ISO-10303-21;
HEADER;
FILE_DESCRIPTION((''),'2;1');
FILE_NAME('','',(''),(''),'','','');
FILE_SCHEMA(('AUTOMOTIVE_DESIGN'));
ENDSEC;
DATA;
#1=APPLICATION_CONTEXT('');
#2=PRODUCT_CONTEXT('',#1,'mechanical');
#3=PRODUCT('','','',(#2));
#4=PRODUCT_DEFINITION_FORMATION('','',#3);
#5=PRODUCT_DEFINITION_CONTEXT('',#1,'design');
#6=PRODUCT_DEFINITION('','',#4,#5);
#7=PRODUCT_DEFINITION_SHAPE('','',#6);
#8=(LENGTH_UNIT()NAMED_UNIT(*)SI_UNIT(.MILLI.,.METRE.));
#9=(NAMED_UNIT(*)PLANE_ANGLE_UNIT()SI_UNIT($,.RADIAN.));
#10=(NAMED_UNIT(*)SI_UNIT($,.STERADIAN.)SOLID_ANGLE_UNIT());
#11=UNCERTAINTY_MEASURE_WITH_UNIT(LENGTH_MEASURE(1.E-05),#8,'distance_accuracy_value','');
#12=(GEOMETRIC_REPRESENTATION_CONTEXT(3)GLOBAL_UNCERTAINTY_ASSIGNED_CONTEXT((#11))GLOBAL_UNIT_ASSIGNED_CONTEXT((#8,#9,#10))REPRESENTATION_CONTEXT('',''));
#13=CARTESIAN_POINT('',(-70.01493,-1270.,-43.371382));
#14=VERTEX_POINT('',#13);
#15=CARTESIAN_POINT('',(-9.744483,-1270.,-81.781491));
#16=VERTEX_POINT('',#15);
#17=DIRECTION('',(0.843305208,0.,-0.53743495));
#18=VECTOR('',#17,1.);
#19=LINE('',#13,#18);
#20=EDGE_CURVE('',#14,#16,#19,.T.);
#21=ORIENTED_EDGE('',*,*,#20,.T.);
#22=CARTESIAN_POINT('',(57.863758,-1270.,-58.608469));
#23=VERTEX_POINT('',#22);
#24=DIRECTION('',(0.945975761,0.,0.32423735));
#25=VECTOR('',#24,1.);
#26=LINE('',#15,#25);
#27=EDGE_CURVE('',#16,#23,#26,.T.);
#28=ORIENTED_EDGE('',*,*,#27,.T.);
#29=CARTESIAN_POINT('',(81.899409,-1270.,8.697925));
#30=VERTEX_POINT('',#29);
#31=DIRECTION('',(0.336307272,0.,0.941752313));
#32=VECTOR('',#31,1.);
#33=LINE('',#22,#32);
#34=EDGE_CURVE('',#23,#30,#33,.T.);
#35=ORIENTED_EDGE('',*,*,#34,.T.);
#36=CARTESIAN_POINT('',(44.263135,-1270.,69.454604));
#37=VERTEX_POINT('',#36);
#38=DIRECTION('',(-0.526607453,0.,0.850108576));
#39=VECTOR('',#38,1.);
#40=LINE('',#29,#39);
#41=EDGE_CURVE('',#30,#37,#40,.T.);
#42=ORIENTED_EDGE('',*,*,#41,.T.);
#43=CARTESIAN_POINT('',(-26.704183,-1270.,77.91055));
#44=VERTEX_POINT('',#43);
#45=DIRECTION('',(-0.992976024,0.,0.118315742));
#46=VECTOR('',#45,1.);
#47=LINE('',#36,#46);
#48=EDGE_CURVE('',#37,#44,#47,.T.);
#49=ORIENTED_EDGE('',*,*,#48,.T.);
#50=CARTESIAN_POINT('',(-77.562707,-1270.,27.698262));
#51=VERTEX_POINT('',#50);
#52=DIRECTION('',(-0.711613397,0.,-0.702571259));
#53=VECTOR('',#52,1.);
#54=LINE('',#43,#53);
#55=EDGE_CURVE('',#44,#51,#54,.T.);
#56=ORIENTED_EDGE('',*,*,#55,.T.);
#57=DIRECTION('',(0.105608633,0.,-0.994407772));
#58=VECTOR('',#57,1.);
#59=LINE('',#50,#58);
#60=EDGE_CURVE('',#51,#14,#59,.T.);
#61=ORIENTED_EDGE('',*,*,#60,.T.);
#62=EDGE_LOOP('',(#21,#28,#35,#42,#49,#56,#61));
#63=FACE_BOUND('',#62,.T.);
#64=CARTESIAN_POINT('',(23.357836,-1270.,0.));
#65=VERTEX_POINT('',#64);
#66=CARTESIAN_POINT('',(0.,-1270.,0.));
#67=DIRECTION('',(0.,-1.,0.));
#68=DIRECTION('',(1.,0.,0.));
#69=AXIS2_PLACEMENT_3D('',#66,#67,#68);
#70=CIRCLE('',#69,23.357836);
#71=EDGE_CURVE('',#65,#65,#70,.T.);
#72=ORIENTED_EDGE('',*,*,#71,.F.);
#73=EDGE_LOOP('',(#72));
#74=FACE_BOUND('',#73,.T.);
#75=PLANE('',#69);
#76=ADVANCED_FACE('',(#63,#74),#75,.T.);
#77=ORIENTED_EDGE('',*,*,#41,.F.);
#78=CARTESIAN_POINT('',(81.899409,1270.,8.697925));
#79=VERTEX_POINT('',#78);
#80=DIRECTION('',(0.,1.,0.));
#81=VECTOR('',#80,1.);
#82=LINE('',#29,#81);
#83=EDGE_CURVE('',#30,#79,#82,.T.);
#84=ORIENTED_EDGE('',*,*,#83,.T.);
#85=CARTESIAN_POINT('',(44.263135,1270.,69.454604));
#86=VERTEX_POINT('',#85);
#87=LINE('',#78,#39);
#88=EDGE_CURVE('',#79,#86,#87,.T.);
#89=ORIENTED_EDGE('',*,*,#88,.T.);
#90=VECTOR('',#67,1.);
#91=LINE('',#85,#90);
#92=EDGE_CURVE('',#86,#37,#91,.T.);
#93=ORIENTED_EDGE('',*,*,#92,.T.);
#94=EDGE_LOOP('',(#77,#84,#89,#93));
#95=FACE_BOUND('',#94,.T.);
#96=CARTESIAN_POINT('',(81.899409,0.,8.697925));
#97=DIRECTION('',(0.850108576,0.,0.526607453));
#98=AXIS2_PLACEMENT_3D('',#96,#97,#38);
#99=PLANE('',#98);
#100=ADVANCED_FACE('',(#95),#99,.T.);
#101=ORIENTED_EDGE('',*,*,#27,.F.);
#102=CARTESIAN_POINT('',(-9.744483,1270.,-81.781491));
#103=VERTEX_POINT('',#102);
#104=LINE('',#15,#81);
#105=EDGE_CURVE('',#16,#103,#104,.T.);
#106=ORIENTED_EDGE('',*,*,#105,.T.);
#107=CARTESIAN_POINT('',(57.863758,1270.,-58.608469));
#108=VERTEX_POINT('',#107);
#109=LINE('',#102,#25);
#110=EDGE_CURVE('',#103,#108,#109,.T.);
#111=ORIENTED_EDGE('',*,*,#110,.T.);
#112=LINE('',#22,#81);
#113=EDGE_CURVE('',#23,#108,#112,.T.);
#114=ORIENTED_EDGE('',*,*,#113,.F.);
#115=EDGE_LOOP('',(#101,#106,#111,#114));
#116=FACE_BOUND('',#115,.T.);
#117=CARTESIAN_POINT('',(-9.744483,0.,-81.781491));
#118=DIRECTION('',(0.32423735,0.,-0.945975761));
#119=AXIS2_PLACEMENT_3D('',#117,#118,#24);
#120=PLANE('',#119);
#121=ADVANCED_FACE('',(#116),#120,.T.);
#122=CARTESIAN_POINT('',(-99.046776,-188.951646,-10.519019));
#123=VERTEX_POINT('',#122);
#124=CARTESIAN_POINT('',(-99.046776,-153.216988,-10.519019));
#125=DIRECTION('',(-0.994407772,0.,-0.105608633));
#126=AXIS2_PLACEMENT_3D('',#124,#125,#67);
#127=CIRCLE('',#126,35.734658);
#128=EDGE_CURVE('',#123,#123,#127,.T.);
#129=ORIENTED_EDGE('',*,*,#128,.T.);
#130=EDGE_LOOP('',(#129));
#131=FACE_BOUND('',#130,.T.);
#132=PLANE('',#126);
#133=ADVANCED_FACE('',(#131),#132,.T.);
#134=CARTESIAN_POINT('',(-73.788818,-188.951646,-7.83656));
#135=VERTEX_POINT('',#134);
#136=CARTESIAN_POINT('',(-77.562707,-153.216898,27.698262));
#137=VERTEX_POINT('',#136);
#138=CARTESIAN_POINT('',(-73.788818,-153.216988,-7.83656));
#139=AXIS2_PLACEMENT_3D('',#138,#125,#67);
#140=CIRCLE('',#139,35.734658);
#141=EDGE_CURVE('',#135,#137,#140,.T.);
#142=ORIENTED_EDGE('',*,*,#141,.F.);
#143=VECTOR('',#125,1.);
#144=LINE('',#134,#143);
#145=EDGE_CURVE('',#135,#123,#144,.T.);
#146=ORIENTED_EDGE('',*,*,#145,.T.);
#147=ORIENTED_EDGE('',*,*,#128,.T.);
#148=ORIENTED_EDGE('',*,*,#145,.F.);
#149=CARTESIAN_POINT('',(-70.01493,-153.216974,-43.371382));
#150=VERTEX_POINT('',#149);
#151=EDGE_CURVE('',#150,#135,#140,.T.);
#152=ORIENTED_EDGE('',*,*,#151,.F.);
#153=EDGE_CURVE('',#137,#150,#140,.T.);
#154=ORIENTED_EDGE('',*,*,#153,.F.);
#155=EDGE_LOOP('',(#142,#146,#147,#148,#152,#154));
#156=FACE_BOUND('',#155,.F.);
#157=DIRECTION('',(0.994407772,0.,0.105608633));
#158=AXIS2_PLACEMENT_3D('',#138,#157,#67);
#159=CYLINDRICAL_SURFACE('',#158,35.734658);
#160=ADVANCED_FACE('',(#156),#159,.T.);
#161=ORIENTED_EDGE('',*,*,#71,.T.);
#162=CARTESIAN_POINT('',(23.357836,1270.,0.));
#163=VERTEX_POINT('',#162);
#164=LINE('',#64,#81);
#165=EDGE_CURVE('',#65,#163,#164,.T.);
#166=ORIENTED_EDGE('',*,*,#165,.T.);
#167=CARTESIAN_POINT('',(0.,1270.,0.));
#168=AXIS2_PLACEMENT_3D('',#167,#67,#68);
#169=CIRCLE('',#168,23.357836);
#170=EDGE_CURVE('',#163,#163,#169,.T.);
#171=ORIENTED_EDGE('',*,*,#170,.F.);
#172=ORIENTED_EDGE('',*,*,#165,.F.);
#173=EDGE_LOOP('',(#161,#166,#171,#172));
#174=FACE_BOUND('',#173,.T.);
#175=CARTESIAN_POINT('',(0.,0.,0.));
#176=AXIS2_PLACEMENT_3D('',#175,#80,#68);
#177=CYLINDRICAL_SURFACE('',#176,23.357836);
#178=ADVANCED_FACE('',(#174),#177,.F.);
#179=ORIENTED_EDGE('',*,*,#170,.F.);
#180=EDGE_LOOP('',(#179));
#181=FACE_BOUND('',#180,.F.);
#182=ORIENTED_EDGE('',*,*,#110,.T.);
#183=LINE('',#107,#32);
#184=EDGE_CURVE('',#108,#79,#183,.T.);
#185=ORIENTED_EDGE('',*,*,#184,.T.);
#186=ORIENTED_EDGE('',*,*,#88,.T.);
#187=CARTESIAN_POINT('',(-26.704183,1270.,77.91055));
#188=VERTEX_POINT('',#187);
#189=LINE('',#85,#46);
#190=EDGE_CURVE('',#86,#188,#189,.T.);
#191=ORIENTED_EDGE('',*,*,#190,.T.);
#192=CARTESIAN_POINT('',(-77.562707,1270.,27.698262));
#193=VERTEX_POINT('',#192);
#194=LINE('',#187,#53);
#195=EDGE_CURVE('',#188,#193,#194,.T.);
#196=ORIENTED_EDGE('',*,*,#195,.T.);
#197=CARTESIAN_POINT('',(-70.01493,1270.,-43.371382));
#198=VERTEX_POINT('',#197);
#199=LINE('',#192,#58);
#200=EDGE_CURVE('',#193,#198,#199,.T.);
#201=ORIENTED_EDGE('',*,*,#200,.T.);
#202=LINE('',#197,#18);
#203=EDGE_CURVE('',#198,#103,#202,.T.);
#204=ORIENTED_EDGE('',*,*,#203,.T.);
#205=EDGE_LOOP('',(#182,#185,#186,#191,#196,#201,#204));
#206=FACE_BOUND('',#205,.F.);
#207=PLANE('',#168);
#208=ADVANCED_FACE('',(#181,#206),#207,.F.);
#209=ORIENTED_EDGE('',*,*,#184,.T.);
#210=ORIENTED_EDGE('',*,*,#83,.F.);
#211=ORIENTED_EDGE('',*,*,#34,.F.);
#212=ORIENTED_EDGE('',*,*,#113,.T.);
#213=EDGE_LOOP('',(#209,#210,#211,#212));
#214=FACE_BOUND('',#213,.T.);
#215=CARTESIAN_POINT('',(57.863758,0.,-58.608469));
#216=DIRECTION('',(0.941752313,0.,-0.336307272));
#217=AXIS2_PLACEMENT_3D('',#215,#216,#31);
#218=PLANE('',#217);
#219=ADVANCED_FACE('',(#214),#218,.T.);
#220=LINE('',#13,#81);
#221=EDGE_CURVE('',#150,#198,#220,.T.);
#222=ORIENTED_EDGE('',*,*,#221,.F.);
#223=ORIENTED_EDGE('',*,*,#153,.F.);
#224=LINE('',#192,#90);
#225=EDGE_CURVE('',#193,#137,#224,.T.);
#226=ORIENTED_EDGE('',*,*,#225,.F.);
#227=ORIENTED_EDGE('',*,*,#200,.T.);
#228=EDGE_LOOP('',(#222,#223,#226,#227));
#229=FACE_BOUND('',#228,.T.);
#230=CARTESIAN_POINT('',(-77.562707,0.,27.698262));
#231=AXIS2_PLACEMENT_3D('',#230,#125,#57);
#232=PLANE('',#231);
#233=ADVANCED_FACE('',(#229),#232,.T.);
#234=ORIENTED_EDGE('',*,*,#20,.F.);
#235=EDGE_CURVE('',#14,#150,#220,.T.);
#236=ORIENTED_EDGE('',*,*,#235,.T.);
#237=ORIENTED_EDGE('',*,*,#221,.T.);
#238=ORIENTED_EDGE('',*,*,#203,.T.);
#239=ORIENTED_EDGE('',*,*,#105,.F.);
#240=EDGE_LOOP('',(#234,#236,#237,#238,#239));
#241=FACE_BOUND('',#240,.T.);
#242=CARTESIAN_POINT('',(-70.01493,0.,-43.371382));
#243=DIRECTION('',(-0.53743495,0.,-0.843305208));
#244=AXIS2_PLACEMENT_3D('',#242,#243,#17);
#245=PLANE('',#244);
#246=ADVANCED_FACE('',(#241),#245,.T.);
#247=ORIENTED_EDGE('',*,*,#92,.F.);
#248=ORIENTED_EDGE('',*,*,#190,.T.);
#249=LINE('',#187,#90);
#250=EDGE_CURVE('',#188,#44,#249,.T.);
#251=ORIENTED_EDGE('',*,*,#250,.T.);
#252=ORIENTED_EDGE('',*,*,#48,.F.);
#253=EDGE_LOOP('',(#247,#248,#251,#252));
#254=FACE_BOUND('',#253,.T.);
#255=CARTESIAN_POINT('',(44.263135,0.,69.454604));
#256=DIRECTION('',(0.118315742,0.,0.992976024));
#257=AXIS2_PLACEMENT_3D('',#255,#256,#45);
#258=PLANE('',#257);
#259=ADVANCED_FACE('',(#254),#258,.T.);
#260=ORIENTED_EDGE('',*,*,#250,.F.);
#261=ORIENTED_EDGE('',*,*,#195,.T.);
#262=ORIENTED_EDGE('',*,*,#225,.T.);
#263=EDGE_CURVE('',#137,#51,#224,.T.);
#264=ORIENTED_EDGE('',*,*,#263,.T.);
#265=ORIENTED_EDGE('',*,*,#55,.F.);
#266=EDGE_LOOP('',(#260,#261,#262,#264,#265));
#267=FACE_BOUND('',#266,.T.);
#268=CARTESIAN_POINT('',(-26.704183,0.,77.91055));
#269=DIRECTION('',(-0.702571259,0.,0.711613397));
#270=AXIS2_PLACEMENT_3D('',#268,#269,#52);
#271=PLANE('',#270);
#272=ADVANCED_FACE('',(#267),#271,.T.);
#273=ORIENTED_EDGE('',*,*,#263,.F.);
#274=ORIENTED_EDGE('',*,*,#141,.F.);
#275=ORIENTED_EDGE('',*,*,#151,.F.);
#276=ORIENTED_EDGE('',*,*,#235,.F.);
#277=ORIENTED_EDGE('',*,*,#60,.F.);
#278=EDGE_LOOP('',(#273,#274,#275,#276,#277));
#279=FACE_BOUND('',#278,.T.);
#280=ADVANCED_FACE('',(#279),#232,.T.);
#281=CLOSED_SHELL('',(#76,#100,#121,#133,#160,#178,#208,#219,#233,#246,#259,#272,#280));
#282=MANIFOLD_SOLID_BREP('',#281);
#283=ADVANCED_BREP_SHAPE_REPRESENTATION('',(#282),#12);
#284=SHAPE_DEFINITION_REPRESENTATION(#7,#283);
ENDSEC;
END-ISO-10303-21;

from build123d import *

# Parameters (mm, degrees)
F1_R     = 23.3578357485
F2_DEPTH = 1270
F3_R     = 35.7346583213
F4_DEPTH = 25.4


with BuildPart() as f2:
    # F1 (on face) → F2 (new body, symmetric)
    with BuildSketch(Plane.XZ):
        Polygon((81.899409343, 8.6979254562), (44.2631345498, 69.4546044391), (-26.7041833628, 77.9105496637), (-77.5627065371, 27.6982619059), (-70.0149296982, -43.3713820086), (-9.7444827522, -81.7814906557), (57.8637584574, -58.6084688007), align=None)
        Circle(F1_R, mode=Mode.SUBTRACT)
    extrude(amount=F2_DEPTH, both=True)

    # F3 (on face) → F4 (join)
    with BuildSketch(Plane(origin=(-73.7888181177, 0, -7.8365600513), x_dir=(0, -1, 0), z_dir=(-0.9944077718, 0, -0.1056086331))):
        with Locations((153.2169878483, 0)):
            Circle(F3_R)
    extrude(amount=F4_DEPTH)


solid = f2.part
